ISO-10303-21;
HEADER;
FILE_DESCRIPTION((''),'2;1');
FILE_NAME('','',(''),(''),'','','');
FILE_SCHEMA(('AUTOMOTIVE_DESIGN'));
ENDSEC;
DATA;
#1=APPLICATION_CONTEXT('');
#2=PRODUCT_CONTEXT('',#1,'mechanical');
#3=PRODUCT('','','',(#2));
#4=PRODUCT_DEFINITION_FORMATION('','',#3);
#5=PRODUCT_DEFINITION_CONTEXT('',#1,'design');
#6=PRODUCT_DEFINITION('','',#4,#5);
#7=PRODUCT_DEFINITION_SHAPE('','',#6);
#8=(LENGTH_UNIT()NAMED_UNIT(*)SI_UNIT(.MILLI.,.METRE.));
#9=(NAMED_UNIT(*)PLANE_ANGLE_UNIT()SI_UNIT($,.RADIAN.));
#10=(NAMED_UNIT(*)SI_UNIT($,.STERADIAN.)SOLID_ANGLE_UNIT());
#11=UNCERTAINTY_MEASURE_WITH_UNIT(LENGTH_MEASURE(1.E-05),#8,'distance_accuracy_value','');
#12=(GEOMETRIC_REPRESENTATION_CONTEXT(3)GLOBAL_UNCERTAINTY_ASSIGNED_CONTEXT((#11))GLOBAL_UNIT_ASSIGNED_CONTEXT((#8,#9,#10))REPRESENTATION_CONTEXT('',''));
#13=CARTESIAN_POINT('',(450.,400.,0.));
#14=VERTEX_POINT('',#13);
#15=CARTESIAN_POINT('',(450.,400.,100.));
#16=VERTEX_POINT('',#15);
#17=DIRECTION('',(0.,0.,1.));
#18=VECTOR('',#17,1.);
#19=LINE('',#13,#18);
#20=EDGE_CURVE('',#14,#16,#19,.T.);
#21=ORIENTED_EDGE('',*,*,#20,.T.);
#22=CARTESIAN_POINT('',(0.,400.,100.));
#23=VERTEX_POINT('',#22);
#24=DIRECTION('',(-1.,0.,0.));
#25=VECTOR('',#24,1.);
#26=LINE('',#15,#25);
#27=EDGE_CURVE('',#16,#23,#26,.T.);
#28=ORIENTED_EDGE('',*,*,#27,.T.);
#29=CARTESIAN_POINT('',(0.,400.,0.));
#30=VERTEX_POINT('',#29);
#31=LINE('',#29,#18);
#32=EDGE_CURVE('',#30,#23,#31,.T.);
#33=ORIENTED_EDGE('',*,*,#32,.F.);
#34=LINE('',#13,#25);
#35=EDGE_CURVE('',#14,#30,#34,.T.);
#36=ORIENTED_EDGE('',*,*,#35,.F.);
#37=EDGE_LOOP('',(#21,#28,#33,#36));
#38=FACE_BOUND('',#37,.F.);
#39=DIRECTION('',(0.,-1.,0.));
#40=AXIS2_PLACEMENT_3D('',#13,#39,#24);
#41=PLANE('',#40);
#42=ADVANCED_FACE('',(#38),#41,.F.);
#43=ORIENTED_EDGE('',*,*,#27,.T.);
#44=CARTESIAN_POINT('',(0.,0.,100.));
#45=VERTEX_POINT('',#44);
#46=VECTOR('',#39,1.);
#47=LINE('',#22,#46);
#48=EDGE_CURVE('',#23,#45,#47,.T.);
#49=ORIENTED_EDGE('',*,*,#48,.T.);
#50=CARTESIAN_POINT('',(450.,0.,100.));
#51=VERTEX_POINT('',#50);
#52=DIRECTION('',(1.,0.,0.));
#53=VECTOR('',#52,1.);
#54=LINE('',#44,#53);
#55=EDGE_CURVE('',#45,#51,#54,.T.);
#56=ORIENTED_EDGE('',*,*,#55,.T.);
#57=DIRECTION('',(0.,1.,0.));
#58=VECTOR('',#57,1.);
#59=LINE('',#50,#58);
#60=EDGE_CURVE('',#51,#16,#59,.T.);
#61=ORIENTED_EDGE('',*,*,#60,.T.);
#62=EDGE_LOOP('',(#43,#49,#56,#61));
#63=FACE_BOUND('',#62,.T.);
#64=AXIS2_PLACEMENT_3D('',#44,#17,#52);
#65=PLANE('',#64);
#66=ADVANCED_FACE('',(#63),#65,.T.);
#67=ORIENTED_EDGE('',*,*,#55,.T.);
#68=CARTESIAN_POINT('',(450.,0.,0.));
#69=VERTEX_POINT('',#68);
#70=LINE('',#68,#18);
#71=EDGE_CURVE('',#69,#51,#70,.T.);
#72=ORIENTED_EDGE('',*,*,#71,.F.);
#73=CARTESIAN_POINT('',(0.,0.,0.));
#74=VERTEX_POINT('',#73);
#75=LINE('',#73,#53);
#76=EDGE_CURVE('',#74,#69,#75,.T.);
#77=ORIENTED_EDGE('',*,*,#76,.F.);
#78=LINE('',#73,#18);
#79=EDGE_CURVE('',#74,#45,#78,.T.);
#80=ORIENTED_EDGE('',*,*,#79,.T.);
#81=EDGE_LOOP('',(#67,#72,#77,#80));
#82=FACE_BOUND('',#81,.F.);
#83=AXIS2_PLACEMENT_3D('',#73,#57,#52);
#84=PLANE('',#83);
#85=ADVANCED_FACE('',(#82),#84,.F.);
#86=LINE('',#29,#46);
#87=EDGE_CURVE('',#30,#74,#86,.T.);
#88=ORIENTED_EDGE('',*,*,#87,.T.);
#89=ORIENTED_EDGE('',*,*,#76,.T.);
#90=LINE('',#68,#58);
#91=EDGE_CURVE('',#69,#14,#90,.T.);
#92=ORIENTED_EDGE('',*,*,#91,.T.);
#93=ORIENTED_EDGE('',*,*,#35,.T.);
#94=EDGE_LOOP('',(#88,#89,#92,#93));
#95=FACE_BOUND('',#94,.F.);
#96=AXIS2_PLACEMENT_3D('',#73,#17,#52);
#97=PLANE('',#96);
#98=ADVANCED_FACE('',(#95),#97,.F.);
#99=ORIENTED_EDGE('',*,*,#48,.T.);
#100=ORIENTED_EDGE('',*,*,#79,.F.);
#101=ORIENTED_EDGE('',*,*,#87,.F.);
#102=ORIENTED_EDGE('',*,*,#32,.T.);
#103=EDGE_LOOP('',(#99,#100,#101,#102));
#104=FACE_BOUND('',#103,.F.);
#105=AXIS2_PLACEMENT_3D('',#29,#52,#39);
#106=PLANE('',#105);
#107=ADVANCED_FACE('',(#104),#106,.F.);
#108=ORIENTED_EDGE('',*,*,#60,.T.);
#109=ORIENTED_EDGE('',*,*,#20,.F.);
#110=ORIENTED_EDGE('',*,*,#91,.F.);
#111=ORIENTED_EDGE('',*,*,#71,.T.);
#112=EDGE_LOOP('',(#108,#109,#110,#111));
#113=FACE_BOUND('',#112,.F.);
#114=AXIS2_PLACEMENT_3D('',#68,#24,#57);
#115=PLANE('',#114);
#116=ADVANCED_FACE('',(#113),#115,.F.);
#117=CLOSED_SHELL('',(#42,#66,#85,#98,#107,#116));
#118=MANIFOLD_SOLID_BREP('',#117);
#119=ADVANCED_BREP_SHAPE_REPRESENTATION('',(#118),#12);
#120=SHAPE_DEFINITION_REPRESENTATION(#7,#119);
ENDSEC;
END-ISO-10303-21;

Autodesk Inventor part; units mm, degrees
ref_plane "YZ Plane" through (0, 0, 0) normal (1, 0, 0) x (0, 1, 0)
ref_plane "XZ Plane" through (0, 0, 0) normal (0, 1, 0) x (-1, 0, 0)
ref_plane "XY Plane" through (0, 0, 0) normal (0, 0, 1) x (1, 0, 0)
sketch "スケッチ1" plane through (0, 0, 0) normal (0, 0, 1) x (1, 0, 0)
  line L0 (0, 0) -> (450, 0)
  line L1 (450, 0) -> (450, 400)
  line L2 (450, 400) -> (0, 400)
  line L3 (0, 400) -> (0, 0)
  dimension "d0" = 450
  dimension "d1" = 400
extrude "押し出し1" add sketch "スケッチ1" along normal blind 100
properties part number "リング、スタート台"
